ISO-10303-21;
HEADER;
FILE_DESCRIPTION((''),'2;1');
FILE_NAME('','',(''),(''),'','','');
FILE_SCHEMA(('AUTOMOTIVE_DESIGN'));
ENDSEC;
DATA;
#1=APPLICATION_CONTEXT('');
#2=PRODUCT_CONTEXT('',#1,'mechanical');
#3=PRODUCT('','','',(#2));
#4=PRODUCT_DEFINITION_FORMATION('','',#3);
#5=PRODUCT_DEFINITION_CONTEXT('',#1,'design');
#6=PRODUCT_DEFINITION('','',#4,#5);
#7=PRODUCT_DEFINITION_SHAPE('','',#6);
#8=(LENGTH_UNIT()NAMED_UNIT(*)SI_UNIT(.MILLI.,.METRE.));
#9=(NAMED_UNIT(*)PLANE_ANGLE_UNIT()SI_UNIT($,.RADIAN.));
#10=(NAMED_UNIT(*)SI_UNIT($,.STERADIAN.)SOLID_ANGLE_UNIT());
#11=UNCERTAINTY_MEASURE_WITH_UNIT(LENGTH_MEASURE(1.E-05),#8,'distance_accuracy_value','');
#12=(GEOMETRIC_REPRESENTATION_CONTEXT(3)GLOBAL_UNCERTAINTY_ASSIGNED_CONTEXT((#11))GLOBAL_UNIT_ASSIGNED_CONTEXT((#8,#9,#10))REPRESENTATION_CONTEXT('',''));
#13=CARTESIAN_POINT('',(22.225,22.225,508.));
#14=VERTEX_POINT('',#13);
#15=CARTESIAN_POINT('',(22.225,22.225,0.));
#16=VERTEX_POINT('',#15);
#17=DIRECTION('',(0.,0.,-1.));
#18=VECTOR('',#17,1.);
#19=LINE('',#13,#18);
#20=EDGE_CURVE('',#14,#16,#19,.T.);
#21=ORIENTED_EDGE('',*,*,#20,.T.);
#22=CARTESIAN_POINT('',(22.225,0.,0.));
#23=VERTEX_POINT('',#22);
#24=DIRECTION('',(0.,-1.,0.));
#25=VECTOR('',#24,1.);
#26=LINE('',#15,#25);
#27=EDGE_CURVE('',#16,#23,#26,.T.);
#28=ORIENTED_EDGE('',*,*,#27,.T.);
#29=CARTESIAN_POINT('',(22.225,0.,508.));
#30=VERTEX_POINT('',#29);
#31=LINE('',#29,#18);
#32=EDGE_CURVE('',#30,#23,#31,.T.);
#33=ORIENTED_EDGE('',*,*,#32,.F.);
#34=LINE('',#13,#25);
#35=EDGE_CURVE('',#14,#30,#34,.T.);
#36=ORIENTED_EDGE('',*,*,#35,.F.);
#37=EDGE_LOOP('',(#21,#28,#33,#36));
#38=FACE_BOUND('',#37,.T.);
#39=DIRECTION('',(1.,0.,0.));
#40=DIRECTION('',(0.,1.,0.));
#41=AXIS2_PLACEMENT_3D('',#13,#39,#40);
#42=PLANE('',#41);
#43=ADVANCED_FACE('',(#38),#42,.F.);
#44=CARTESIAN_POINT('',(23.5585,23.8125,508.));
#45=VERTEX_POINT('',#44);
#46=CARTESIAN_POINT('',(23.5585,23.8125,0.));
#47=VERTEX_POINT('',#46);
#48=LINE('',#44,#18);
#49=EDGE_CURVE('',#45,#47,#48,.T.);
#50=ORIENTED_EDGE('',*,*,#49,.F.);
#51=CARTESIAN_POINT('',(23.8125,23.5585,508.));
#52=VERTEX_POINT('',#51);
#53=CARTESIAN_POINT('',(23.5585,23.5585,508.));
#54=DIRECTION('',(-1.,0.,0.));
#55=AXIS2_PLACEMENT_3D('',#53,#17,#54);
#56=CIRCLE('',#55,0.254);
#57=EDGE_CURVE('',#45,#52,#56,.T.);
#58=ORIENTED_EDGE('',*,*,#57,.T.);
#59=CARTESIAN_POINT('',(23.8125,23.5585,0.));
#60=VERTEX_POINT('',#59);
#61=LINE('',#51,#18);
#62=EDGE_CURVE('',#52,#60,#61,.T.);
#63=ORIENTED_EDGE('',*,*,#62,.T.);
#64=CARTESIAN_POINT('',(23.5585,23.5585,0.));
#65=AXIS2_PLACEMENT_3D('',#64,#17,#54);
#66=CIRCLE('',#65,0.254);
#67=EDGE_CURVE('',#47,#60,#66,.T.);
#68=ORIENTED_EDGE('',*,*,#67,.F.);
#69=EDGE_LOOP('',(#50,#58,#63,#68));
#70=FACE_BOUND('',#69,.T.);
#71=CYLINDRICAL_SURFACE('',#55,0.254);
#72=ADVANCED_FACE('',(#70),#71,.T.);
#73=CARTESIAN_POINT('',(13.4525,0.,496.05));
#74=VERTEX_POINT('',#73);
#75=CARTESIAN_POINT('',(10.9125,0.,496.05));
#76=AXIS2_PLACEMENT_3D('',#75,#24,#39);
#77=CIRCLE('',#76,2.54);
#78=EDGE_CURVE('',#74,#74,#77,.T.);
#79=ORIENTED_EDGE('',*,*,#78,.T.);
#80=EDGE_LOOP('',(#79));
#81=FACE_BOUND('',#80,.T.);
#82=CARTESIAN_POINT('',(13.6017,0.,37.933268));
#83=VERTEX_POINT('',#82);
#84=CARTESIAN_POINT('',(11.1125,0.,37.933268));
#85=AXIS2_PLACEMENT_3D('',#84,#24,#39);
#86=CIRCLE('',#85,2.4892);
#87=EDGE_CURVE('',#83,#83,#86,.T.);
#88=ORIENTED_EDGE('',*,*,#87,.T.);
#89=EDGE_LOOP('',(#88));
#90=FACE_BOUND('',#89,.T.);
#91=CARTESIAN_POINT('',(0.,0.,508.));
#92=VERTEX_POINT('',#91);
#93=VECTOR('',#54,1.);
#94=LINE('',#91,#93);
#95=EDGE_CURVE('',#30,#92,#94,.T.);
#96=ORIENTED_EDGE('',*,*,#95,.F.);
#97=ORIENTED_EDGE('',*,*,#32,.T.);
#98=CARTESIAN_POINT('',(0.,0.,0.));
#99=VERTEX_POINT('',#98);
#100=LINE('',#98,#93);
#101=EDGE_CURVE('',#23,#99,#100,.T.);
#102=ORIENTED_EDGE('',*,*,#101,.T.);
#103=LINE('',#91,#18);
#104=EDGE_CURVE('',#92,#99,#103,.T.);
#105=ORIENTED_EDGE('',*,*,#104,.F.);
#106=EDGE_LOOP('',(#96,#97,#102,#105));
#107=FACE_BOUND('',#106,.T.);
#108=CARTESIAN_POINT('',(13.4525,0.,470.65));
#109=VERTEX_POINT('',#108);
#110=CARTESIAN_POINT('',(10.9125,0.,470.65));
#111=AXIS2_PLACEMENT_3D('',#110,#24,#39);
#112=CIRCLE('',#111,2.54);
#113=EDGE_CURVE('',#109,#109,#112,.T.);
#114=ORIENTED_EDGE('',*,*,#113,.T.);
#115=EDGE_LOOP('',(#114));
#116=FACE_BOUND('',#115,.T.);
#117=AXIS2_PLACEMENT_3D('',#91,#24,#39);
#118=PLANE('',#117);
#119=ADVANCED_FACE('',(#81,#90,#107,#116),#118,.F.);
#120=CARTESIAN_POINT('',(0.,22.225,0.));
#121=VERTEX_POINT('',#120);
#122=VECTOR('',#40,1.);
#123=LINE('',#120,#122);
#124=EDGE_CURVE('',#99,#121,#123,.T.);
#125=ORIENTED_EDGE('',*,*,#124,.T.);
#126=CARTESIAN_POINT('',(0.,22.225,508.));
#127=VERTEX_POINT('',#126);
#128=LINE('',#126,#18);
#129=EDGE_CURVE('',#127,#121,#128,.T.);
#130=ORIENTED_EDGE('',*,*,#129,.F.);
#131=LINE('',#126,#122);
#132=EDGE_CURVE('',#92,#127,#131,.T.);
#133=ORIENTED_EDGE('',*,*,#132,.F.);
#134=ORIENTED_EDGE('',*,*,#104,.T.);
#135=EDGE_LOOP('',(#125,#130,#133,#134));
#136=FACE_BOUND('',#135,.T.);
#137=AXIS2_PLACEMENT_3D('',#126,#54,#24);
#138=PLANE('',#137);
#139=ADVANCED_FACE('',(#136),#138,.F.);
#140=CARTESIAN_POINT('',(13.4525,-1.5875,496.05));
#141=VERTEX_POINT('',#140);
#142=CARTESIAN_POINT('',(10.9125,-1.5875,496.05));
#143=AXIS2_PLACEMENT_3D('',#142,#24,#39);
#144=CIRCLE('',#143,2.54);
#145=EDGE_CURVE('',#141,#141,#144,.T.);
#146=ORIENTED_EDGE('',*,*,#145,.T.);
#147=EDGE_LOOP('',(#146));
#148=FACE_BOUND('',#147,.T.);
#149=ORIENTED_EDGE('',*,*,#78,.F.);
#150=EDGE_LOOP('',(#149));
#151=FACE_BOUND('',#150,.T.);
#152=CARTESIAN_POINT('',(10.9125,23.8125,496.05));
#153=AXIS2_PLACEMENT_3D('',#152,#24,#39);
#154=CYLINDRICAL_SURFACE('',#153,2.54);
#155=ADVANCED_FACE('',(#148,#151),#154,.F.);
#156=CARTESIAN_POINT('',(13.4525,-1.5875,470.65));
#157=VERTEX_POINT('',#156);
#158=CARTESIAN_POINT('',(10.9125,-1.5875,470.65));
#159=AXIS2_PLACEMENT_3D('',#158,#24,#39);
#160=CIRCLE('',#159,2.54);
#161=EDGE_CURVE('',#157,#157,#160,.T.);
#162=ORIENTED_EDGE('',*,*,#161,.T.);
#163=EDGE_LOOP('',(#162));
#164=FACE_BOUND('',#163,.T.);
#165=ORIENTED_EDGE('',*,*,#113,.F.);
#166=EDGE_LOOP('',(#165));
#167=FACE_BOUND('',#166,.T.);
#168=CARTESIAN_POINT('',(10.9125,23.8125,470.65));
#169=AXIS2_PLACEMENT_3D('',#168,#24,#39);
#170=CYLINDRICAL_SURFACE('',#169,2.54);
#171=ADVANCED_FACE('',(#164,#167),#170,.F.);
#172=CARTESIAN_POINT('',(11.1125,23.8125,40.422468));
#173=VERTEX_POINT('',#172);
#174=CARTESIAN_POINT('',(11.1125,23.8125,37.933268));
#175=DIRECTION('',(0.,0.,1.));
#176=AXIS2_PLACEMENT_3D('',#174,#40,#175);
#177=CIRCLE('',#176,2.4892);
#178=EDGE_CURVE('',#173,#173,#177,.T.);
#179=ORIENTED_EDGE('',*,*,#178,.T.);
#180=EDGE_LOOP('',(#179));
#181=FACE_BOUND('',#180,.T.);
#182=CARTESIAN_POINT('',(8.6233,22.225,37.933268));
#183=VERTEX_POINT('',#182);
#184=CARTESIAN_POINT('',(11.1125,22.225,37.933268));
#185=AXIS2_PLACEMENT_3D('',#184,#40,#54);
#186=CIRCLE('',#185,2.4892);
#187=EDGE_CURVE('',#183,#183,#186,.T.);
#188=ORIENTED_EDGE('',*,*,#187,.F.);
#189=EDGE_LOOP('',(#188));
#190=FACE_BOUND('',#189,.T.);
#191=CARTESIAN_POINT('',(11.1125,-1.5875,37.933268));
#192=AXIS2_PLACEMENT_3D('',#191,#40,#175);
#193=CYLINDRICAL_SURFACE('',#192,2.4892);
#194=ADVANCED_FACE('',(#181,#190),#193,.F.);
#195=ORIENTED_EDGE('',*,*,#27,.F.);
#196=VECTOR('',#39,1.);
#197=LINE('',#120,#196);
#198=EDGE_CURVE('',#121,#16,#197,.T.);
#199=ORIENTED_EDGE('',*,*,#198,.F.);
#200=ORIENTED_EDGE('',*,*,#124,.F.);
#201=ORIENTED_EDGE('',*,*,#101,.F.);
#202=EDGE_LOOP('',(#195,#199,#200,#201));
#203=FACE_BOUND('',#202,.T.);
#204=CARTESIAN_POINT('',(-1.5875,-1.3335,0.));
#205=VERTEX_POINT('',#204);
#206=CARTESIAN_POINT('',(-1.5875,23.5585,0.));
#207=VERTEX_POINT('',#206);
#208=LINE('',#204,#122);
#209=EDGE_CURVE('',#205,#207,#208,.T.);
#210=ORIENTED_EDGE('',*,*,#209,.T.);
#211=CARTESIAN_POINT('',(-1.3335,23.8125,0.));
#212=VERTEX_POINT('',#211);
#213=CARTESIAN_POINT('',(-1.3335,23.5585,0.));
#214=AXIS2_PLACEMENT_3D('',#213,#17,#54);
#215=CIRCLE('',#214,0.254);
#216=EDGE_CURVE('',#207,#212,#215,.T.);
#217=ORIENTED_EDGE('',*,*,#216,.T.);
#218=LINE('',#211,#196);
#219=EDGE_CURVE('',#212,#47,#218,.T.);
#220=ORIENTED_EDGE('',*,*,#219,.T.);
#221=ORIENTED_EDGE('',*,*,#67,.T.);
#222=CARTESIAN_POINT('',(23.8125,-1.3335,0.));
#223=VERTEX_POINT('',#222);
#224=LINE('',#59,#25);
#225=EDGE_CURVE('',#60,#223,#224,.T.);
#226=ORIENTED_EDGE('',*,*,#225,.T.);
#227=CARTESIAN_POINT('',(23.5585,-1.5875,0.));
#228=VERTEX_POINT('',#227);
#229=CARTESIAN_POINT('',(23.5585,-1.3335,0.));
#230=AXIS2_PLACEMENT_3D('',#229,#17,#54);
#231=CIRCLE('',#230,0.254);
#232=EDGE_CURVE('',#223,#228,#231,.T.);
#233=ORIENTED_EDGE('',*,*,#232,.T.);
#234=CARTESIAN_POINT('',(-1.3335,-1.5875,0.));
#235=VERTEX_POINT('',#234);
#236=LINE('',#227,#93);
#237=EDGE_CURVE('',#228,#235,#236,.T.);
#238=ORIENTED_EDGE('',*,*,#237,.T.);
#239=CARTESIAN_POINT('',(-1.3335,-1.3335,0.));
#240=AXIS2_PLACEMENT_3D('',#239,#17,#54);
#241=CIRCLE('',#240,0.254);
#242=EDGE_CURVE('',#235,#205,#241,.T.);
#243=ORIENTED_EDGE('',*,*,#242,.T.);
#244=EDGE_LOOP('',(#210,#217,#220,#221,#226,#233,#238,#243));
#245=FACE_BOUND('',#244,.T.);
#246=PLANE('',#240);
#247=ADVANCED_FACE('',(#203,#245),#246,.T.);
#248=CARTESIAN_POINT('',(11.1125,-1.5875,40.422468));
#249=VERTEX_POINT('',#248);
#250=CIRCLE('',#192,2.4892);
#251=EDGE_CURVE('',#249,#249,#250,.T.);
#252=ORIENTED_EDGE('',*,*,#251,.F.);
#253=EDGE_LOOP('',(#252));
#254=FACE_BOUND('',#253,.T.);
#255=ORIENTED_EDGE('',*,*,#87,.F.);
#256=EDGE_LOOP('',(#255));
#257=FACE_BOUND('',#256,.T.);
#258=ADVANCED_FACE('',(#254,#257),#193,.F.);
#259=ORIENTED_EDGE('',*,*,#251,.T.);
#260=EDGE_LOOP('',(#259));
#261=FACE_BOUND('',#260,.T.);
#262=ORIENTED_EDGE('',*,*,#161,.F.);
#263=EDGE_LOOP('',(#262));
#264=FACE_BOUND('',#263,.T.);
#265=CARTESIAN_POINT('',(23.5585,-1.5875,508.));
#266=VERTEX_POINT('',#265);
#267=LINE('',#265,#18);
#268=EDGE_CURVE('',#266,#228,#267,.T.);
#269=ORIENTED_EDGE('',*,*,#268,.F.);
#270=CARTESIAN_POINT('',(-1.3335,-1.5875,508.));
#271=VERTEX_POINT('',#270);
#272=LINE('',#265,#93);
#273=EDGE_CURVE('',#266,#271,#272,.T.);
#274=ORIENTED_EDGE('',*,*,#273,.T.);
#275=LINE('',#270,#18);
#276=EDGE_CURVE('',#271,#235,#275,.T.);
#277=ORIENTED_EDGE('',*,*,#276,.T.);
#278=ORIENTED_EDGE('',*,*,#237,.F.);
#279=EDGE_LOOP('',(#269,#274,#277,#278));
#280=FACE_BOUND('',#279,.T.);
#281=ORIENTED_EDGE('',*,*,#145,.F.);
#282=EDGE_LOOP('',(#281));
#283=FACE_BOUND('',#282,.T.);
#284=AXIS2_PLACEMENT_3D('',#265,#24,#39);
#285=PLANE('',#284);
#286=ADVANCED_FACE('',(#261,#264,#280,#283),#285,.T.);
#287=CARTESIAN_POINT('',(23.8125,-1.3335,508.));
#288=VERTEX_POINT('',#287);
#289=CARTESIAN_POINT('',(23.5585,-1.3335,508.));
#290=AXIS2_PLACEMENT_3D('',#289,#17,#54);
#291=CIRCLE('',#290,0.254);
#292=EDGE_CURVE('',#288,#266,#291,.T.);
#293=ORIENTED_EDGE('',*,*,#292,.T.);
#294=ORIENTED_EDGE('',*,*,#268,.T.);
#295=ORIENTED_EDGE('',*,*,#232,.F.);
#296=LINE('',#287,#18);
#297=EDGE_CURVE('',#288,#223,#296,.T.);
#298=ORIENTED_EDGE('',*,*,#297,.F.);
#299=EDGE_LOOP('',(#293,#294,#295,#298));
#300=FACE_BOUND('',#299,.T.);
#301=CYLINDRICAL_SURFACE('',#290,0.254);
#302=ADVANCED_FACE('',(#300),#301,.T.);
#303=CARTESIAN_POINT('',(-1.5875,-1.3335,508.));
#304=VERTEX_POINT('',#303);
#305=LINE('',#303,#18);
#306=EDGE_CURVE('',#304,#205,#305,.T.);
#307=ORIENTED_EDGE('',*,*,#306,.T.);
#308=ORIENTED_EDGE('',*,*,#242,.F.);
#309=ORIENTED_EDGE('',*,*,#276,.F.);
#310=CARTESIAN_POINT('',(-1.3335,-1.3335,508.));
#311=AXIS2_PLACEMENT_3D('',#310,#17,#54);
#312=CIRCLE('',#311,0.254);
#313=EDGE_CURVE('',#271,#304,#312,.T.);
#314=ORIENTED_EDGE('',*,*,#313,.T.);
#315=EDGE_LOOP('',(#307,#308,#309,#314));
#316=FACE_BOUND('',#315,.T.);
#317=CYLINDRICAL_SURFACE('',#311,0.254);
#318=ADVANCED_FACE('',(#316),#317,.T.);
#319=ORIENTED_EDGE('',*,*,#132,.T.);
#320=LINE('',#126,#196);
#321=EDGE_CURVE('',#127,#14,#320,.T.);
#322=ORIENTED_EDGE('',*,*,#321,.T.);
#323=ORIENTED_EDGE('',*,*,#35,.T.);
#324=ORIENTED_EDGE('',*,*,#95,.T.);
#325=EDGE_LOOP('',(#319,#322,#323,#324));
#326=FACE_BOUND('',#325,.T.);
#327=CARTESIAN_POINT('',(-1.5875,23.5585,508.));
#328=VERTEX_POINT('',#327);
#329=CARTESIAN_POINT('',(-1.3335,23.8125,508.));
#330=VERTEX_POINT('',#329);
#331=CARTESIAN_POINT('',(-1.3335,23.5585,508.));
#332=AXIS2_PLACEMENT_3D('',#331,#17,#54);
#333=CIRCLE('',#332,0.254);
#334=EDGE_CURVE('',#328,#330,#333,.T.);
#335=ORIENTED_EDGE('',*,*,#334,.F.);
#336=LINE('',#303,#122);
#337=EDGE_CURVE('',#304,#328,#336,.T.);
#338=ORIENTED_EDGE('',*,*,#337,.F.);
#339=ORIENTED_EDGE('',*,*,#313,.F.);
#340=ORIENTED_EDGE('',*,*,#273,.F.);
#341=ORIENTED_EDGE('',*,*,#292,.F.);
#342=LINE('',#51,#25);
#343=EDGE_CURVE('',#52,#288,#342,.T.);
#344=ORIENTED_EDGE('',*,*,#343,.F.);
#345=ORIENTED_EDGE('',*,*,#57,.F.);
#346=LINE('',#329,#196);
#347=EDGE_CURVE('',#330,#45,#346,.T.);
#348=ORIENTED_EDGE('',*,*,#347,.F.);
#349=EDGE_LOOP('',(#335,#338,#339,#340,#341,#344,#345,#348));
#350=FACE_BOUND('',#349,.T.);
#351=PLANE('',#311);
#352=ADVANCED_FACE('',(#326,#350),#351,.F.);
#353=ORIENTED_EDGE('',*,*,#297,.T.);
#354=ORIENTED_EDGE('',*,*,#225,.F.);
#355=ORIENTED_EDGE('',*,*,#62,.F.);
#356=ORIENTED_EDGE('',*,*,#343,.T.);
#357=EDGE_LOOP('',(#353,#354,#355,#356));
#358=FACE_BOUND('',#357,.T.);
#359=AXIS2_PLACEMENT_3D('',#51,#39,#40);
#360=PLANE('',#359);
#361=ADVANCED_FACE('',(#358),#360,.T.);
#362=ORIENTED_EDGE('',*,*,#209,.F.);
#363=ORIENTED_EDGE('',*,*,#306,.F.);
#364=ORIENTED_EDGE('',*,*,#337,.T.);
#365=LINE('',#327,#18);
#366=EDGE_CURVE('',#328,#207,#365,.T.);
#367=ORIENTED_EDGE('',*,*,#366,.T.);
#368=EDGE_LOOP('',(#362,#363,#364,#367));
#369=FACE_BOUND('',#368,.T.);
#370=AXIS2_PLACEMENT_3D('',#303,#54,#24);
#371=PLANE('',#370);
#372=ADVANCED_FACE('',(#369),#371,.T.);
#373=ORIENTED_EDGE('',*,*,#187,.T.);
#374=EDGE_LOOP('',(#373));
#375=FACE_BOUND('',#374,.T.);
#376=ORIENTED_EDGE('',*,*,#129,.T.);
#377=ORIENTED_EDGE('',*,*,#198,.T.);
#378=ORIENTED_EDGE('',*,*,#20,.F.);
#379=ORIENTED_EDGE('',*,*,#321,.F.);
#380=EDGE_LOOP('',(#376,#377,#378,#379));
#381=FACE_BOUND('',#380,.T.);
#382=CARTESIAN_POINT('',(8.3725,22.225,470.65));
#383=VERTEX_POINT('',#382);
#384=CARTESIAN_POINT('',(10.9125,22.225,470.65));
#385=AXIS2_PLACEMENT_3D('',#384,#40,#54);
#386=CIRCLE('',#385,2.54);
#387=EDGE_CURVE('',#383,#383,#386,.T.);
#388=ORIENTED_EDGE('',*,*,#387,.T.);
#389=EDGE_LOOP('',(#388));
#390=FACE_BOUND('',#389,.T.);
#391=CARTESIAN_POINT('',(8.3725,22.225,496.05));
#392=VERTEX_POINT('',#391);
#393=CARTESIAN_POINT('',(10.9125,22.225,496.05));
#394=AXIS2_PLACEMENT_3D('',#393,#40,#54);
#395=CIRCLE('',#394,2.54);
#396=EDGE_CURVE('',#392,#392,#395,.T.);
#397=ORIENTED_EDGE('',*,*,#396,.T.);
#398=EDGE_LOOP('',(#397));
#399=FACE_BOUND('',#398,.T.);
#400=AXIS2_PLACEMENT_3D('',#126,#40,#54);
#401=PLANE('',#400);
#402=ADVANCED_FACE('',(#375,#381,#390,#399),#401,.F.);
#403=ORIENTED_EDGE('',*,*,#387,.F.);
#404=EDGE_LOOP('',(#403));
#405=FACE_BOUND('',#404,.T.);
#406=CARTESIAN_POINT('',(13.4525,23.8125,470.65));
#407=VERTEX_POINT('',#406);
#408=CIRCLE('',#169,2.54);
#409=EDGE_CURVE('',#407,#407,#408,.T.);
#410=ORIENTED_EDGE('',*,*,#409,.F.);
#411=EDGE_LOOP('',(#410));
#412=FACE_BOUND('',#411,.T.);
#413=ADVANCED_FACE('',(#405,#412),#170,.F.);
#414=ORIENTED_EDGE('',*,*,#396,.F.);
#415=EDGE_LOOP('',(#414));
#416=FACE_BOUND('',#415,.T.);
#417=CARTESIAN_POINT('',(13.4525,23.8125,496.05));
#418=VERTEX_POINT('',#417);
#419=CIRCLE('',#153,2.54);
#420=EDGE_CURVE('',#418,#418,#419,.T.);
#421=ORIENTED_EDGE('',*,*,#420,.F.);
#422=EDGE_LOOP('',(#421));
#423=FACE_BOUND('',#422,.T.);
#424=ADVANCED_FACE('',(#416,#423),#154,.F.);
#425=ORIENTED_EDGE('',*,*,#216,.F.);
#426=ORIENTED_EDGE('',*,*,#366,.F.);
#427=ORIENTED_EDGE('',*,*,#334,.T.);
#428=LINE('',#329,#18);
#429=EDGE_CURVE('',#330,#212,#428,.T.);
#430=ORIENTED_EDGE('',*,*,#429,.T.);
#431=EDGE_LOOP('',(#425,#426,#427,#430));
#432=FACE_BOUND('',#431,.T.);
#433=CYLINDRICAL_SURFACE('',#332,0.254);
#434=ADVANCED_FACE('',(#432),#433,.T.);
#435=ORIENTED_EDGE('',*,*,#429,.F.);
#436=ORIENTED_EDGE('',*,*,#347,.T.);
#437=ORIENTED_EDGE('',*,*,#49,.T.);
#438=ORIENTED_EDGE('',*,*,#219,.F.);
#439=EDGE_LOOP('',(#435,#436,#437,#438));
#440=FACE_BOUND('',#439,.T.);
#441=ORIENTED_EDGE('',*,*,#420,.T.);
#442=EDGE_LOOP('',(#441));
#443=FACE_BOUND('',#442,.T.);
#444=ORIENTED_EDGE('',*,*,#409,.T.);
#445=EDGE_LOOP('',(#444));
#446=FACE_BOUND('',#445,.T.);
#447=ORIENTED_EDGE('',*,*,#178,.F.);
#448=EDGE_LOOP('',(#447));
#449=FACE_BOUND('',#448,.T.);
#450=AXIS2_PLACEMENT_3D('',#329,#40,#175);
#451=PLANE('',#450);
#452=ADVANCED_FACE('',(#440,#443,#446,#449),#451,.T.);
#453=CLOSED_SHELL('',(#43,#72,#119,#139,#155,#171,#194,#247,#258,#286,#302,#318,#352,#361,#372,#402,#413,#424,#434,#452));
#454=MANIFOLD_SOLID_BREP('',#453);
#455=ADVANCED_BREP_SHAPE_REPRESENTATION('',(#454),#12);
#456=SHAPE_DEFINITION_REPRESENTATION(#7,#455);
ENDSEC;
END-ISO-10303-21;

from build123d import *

# Parameters (mm, degrees)
SKETCH1_W           = 22.225
SKETCH1_H           = 22.225
BOSS_EXTRUDE1_DEPTH = 508
SKETCH7_R           = 2.54
CUT_EXTRUDE5_DEPTH  = 26.4
SKETCH8_R           = 2.4892
CUT_EXTRUDE6_DEPTH  = 25.4


with BuildPart() as part:
    # Sketch1 → Boss-Extrude1 (new body)
    with BuildSketch(Plane(origin=(0, 0, 0), x_dir=(-1, 0, 0), z_dir=(0, 0, -1))):
        with BuildLine():
            Line((1.5875, -1.3335), (1.5875, 23.5585))
            ThreePointArc((1.5875, 23.5585), (1.513105122, 23.738105122), (1.3335, 23.8125))
            Line((1.3335, 23.8125), (-23.5585, 23.8125))
            ThreePointArc((-23.5585, 23.8125), (-23.738105122, 23.738105122), (-23.8125, 23.5585))
            Line((-23.8125, 23.5585), (-23.8125, -1.3335))
            ThreePointArc((-23.8125, -1.3335), (-23.738105122, -1.513105122), (-23.5585, -1.5875))
            Line((-23.5585, -1.5875), (1.3335, -1.5875))
            ThreePointArc((1.3335, -1.5875), (1.513105122, -1.513105122), (1.5875, -1.3335))
        make_face()
        with Locations((-11.1125, 11.1125)):
            Rectangle(SKETCH1_W, SKETCH1_H, mode=Mode.SUBTRACT)
    extrude(amount=-BOSS_EXTRUDE1_DEPTH)

    # Sketch7 → Cut-Extrude5 (cut, through all)
    with BuildSketch(Plane.XZ.offset(1.5875)):
        with Locations((10.9125, 470.65)):
            Circle(SKETCH7_R)
        with Locations((10.9125, 496.05)):
            Circle(SKETCH7_R)
    extrude(amount=-CUT_EXTRUDE5_DEPTH, mode=Mode.SUBTRACT)

    # Sketch8 → Cut-Extrude6 (cut)
    with BuildSketch(Plane(origin=(0, 23.8125, 0), x_dir=(1, 0, 0), z_dir=(0, 1, 0))):
        with Locations((11.1125, -37.933268304)):
            Circle(SKETCH8_R)
    extrude(amount=-CUT_EXTRUDE6_DEPTH, mode=Mode.SUBTRACT)


solid = part.part
